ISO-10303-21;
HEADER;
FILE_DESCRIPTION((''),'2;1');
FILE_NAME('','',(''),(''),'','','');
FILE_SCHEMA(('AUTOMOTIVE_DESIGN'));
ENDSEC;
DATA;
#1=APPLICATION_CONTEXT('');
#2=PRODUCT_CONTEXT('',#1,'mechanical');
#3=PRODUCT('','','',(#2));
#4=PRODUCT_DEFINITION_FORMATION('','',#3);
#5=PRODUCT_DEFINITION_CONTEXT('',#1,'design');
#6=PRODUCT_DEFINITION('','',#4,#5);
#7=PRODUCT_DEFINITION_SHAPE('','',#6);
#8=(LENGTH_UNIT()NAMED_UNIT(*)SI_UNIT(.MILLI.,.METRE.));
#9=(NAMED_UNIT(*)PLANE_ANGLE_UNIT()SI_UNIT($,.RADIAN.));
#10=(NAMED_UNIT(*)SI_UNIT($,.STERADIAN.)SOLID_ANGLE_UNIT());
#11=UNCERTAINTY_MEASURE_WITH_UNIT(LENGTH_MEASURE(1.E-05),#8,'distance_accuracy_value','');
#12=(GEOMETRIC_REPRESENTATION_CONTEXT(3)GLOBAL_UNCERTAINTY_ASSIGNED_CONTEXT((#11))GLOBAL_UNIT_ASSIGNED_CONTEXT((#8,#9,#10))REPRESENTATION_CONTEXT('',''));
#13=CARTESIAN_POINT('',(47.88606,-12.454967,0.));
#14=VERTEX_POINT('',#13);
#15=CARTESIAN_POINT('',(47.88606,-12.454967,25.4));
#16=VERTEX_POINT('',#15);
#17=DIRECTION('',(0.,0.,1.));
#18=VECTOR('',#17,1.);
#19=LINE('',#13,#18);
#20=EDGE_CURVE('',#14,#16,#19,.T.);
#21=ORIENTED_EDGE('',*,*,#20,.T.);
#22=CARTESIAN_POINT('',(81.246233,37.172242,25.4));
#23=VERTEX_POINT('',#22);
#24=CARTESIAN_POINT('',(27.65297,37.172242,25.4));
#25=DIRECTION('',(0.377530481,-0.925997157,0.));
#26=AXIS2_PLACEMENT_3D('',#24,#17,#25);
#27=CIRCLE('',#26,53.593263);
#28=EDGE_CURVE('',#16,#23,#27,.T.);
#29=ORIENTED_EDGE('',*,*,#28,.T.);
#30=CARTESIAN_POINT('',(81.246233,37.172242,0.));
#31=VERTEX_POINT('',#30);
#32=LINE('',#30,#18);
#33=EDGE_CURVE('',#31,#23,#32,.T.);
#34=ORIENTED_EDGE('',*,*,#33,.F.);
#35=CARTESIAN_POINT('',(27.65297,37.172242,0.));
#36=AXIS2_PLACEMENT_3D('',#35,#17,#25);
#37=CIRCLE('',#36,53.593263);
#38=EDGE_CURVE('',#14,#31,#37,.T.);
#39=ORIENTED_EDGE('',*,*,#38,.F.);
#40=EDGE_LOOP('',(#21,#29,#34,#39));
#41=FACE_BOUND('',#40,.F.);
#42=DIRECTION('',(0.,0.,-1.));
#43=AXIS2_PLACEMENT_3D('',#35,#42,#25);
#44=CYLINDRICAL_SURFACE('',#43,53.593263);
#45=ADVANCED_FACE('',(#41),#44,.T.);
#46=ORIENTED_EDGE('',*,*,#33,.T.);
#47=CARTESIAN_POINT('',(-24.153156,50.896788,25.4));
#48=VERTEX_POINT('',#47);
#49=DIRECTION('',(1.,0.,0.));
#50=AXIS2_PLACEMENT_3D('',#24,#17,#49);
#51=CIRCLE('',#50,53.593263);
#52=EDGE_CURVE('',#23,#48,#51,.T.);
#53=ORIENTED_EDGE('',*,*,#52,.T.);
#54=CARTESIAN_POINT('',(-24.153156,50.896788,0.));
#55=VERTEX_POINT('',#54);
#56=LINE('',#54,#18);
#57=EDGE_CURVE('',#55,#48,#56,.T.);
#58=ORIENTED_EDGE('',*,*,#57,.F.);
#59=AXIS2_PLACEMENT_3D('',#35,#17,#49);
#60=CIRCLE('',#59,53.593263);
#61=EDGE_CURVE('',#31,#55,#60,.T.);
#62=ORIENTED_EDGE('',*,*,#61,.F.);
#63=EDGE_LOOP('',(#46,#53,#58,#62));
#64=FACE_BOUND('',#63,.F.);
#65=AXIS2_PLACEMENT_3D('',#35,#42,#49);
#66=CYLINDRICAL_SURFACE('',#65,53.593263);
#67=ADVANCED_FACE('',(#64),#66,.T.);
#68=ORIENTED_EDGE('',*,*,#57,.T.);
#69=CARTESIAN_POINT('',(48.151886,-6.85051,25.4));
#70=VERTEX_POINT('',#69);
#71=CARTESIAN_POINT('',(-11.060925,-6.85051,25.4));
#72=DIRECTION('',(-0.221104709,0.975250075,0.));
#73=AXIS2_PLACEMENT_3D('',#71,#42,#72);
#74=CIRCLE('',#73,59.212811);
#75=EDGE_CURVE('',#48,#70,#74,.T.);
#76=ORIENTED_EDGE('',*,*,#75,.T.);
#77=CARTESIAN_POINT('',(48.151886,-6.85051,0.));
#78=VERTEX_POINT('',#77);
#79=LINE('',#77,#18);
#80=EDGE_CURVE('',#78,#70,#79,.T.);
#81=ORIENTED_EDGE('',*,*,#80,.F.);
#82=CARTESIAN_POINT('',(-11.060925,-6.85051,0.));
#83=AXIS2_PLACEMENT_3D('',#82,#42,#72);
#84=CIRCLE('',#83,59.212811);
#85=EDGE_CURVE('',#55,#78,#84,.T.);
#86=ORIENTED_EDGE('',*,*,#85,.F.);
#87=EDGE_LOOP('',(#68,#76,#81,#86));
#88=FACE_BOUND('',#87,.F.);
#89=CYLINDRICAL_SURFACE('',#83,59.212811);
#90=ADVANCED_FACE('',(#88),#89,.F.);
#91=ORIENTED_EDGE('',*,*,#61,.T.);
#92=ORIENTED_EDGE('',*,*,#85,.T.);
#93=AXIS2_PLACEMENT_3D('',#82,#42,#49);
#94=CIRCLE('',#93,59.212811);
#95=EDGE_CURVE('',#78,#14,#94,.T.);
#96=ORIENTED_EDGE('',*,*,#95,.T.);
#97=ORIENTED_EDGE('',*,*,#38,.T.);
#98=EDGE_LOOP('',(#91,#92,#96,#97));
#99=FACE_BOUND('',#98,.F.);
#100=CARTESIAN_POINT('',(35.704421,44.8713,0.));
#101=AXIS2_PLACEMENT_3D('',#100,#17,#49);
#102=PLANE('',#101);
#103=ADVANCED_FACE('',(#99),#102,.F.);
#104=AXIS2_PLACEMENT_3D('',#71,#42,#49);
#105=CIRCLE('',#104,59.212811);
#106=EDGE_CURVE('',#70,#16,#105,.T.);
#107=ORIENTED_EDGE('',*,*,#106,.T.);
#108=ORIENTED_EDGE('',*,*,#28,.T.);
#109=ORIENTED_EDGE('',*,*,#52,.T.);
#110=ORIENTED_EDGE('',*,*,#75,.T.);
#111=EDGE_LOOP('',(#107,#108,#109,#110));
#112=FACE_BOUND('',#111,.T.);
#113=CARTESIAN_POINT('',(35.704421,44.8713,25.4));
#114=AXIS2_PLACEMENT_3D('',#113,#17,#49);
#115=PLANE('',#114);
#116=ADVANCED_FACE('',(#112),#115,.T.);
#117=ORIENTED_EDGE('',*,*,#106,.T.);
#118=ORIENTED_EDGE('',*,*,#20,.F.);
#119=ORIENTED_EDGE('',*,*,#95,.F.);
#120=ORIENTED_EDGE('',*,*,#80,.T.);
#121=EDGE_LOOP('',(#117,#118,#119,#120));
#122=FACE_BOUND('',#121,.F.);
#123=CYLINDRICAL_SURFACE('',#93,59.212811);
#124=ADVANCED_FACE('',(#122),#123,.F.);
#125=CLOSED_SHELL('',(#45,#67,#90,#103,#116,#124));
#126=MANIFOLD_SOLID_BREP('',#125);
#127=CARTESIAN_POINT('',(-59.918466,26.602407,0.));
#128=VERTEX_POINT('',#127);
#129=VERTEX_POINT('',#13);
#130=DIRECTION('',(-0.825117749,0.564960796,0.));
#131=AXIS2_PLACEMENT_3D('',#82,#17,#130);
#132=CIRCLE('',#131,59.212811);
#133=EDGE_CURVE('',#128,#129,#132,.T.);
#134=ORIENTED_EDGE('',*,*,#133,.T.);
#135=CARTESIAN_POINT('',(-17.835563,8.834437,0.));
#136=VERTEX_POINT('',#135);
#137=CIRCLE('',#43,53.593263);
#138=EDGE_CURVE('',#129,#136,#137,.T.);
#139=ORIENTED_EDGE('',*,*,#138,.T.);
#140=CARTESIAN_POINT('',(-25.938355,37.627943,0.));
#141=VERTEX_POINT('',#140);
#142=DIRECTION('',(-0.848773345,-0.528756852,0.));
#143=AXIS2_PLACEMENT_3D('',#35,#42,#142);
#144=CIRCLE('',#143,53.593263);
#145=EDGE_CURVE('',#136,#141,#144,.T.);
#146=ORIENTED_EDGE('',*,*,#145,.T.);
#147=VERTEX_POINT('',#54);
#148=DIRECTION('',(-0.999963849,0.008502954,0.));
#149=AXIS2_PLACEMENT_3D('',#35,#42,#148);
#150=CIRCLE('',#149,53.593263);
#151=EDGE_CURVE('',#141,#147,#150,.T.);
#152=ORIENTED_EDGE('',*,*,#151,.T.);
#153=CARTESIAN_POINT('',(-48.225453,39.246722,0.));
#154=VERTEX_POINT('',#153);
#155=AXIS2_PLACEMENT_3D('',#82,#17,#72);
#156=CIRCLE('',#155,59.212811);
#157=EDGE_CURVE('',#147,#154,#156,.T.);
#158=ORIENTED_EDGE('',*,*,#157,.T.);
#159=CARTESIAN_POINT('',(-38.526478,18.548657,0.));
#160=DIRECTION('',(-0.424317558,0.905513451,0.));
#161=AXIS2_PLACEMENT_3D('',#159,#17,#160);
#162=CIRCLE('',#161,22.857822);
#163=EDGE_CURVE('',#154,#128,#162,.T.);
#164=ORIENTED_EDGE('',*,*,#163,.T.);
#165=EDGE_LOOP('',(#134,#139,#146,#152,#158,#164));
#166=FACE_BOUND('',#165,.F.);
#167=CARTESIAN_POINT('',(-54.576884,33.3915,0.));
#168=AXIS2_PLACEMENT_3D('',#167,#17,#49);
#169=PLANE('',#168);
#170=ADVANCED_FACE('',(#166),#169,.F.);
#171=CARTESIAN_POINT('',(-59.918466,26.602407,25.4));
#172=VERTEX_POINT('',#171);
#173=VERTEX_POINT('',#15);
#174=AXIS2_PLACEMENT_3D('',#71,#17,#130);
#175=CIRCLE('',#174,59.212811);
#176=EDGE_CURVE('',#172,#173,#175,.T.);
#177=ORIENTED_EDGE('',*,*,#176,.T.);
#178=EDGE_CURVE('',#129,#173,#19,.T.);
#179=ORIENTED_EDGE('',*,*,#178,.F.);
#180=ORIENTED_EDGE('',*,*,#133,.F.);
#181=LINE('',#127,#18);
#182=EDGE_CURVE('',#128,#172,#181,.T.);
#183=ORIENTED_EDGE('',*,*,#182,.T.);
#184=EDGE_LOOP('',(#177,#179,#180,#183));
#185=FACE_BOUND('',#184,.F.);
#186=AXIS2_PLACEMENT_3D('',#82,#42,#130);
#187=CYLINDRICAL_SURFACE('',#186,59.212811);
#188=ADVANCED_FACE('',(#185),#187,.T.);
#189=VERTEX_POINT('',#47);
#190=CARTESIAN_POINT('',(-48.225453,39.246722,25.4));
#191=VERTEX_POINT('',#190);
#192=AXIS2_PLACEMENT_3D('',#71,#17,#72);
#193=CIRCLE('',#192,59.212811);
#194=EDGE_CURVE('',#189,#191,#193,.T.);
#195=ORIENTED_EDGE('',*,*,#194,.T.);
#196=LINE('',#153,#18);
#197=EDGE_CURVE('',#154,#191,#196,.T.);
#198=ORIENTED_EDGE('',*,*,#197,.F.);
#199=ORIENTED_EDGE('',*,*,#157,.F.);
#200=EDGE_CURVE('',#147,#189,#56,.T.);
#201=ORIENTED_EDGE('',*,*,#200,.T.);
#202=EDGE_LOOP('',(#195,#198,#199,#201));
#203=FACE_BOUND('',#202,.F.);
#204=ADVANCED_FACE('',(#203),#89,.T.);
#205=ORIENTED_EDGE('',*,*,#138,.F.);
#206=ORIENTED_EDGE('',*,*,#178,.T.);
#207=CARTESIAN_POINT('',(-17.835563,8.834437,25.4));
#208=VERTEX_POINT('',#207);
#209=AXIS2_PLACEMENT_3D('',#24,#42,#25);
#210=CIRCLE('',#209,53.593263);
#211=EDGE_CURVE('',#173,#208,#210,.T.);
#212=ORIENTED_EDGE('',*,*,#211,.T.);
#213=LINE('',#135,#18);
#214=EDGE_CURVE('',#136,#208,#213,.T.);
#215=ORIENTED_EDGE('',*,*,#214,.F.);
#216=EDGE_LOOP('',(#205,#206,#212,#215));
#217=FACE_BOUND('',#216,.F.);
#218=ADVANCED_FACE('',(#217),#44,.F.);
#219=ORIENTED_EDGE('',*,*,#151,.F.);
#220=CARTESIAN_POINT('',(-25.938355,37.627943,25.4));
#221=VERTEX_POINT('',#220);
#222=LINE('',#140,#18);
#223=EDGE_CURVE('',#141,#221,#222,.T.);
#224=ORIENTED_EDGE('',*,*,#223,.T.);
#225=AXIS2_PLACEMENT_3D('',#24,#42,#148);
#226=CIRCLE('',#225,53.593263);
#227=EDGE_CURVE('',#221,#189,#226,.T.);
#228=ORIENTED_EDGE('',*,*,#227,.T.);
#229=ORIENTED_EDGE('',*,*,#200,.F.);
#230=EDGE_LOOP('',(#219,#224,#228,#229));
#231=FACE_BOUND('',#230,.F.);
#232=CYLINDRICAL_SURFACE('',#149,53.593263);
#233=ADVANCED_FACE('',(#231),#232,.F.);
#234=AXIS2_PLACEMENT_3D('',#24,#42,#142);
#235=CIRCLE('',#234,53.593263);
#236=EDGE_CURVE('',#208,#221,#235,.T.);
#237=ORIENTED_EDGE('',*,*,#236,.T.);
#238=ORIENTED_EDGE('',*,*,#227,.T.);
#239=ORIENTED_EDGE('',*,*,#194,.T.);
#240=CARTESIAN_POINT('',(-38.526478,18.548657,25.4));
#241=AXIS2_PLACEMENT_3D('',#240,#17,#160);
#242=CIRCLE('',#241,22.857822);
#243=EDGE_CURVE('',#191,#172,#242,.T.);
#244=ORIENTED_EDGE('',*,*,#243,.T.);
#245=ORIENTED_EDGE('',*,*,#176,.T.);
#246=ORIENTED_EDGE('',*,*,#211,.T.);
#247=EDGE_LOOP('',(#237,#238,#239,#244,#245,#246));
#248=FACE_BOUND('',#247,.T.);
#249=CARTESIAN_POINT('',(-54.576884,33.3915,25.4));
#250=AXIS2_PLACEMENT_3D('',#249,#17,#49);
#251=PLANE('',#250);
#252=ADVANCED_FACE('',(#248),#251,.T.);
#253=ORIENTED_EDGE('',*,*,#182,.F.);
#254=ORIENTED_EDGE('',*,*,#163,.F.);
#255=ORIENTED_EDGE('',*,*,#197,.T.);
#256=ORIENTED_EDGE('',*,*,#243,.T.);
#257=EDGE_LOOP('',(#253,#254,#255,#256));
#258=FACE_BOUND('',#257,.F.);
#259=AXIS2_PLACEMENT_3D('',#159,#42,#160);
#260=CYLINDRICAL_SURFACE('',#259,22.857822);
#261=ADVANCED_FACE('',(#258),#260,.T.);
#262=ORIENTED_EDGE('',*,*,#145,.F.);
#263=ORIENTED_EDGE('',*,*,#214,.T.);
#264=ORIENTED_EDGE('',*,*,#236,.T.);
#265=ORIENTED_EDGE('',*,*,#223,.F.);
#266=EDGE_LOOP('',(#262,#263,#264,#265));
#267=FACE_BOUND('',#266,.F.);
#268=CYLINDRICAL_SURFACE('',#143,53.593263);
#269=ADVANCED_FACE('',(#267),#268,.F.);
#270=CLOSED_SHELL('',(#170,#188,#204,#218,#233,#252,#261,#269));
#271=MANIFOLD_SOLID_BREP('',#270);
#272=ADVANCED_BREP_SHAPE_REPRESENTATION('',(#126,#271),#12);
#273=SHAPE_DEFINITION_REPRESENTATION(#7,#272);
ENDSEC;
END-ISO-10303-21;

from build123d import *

# Parameters (mm, degrees)
F1_DEPTH = 25.4


with BuildPart() as f1:
    # F0 (on Top) → F1 (new body)
    with BuildSketch(Plane.XY):
        with BuildLine():
            ThreePointArc((47.886060174, -12.4549665998), (72.1310270555, 7.2734088866), (81.2462326585, 37.1722423961))
            ThreePointArc((81.2462326585, 37.1722423961), (34.5731761302, 90.3168428852), (-24.1531557895, 50.8967882672))
            ThreePointArc((-24.1531557895, 50.8967882672), (25.8912684531, 39.4171072118), (48.1518860988, -6.8505097243))
            ThreePointArc((48.1518860988, -6.8505097243), (48.0853922825, -9.6558884996), (47.886060174, -12.4549665998))
        make_face()
    extrude(amount=F1_DEPTH)


with BuildPart() as f1b:
    # F0 (on Top) → F1, piece 2 (new body)
    with BuildSketch(Plane.XY):
        with BuildLine():
            ThreePointArc((-59.9184655616, 26.6024068911), (-54.5341208369, 33.3519547329), (-48.2254532875, 39.2467217286))
            ThreePointArc((-48.2254532875, 39.2467217286), (-55.3083630994, 34.0679464173), (-59.9184655616, 26.6024068911))
        make_face()
        with BuildLine():
            ThreePointArc((-25.9383554705, 37.6279434525), (-25.4617289431, 44.3183312009), (-24.1531557895, 50.8967882672))
            ThreePointArc((-24.1531557895, 50.8967882672), (-36.8556234904, 46.4485564081), (-48.2254532875, 39.2467217286))
            ThreePointArc((-48.2254532875, 39.2467217286), (-36.8706085411, 41.3464221655), (-25.9383554705, 37.6279434525))
        make_face()
        with BuildLine():
            ThreePointArc((-59.9184655616, 26.6024068911), (-31.2306747799, -62.5222091751), (47.886060174, -12.4549665998))
            ThreePointArc((47.886060174, -12.4549665998), (11.1372492755, -13.8127435197), (-17.8355630487, 8.8344374672))
            ThreePointArc((-17.8355630487, 8.8344374672), (-47.4173757288, -2.5091676282), (-59.9184655616, 26.6024068911))
        make_face()
        with BuildLine():
            ThreePointArc((-17.8355630487, 8.8344374672), (-23.9364774509, 22.6544346984), (-25.9383554705, 37.6279434525))
            ThreePointArc((-25.9383554705, 37.6279434525), (-36.8706085411, 41.3464221655), (-48.2254532875, 39.2467217286))
            ThreePointArc((-48.2254532875, 39.2467217286), (-54.5341208369, 33.3519547329), (-59.9184655616, 26.6024068911))
            ThreePointArc((-59.9184655616, 26.6024068911), (-47.4173757288, -2.5091676282), (-17.8355630487, 8.8344374672))
        make_face()
    extrude(amount=F1_DEPTH)


solid = Compound([f1.part, f1b.part])
